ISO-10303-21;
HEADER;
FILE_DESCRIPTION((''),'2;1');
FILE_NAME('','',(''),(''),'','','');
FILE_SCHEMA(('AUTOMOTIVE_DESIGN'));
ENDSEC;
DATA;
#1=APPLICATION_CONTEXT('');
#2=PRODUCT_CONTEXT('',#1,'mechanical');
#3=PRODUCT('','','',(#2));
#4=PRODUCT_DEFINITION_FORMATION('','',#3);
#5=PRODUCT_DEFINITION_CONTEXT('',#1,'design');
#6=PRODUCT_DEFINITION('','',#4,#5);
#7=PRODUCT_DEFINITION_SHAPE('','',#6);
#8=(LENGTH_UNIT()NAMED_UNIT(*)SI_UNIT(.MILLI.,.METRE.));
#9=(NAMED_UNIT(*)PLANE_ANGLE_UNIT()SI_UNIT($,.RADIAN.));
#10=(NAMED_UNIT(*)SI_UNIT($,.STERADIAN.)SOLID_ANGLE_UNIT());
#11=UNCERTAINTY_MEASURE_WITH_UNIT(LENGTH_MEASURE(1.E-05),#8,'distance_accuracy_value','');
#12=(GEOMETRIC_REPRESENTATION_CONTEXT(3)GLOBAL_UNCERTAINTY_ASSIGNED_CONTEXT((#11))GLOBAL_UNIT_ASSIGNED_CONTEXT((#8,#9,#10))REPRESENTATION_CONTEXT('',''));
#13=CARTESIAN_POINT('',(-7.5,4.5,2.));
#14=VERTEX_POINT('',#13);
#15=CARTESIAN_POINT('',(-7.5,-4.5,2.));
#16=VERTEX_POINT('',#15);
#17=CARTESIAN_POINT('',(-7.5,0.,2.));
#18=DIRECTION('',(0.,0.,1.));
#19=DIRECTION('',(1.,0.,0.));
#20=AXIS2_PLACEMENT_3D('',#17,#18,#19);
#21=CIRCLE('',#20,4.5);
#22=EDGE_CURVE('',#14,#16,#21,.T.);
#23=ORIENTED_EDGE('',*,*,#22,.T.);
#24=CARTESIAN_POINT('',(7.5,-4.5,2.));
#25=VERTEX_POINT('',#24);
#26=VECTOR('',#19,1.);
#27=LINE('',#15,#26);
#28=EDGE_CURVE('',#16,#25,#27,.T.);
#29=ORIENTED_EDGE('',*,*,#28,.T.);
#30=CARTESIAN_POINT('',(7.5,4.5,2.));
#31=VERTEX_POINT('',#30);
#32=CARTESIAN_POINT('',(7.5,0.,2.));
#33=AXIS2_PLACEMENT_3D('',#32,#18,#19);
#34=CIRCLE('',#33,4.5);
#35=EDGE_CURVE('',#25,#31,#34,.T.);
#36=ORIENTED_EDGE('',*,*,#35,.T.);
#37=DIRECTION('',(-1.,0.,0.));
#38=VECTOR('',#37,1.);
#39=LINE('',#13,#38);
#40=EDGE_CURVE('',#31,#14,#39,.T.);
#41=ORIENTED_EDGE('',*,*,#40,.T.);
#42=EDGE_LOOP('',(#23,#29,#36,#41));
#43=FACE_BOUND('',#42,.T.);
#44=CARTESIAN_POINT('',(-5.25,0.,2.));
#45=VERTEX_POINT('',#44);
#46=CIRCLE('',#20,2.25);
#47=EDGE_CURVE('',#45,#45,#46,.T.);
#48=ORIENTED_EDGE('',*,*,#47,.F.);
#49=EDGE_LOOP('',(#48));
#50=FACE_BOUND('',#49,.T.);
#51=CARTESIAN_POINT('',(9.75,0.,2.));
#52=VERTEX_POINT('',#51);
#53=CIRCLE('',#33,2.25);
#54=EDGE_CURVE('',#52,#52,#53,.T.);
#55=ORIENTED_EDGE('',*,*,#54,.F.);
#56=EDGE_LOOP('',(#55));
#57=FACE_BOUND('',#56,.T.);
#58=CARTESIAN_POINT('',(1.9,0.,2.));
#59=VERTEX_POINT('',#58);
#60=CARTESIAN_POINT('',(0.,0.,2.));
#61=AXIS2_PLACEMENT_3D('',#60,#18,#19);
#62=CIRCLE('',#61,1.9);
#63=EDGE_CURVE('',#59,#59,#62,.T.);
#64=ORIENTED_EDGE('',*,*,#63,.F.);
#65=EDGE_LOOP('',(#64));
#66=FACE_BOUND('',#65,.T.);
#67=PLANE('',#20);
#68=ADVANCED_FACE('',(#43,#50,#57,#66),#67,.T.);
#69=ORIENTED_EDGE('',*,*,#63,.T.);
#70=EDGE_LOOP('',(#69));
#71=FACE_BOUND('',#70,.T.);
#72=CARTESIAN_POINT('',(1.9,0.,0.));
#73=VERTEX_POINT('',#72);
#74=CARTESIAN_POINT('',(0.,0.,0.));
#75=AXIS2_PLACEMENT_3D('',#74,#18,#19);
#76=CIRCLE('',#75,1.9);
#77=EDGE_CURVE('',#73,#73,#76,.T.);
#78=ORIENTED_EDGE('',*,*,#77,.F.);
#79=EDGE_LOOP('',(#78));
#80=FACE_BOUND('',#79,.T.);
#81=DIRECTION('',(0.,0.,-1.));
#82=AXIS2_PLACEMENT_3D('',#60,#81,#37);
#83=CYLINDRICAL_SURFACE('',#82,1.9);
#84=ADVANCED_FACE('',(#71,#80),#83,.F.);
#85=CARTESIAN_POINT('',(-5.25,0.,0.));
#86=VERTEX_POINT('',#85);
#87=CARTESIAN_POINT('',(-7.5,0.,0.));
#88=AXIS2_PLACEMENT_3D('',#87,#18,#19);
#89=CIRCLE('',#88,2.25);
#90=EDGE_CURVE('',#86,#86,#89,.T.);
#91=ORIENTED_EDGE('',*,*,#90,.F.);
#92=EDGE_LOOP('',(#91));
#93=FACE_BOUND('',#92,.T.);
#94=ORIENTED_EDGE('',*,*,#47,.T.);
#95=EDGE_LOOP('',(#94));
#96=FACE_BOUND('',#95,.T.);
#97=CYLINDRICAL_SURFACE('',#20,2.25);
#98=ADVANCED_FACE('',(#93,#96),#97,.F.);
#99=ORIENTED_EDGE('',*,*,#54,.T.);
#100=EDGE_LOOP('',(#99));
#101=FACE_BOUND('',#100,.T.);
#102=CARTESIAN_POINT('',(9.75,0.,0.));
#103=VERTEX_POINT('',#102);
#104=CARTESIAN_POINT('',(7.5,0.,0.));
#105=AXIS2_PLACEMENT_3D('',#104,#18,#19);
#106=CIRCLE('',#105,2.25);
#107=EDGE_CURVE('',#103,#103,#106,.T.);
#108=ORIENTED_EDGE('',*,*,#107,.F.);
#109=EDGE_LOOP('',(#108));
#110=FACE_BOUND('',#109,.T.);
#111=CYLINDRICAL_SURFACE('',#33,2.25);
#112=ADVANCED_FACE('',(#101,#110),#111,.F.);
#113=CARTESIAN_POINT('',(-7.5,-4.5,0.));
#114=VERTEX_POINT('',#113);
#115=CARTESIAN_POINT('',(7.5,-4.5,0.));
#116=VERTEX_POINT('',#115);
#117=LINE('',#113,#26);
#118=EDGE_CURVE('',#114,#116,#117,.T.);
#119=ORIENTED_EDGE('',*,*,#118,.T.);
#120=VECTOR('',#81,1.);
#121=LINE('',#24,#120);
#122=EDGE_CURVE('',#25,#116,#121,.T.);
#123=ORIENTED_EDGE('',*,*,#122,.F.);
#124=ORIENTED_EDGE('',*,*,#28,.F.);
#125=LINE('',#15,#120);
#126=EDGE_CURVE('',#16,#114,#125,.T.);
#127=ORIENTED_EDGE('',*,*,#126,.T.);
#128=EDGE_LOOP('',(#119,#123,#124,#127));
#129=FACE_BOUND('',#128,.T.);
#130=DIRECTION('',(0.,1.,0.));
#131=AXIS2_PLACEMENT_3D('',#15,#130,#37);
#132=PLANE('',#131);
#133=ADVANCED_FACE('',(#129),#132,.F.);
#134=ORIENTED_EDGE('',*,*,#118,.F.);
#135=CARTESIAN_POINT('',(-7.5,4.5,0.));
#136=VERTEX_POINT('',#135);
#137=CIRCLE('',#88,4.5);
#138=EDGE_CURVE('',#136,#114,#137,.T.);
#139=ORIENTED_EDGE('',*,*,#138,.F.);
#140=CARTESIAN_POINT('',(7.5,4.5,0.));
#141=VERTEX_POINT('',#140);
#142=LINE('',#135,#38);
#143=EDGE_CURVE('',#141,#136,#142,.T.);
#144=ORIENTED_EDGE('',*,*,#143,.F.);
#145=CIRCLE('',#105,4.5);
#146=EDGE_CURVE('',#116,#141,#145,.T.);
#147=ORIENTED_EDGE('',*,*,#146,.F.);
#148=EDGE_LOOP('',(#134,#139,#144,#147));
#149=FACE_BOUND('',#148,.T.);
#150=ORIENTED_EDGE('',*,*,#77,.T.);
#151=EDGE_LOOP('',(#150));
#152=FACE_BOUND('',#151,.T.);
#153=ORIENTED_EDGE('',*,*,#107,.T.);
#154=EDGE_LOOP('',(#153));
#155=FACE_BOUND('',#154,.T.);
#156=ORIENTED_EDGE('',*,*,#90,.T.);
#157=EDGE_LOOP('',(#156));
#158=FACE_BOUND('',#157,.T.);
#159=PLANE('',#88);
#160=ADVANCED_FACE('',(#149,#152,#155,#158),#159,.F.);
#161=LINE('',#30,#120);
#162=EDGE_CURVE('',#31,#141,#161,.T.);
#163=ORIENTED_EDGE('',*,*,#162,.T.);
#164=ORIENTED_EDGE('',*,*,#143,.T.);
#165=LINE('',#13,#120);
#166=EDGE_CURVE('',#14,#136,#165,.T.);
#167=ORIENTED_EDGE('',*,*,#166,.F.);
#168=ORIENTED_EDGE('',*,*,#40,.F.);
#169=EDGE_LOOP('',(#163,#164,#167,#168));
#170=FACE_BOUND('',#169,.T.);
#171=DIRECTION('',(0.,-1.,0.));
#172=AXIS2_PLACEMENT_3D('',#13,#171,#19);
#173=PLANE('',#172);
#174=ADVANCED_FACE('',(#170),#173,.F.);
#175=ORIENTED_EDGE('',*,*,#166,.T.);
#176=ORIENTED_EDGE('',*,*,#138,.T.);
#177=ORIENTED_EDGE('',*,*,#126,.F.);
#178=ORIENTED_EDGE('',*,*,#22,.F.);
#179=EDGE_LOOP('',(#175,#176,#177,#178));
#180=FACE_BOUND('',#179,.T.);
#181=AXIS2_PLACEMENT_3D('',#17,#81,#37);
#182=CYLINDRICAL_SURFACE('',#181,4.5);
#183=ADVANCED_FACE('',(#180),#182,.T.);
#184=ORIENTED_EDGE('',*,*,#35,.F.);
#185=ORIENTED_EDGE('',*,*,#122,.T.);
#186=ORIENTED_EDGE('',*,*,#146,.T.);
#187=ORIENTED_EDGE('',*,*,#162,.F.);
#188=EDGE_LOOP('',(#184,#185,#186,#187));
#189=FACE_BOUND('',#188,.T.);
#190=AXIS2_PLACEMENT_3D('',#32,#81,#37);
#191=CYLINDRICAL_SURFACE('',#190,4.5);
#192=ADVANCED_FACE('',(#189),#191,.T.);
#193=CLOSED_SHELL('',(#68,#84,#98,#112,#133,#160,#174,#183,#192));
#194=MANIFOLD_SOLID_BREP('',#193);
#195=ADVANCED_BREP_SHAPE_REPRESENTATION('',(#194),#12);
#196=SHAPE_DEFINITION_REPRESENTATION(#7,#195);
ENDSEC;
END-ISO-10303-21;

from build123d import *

# Parameters (mm, degrees)
SKETCH1_R            = 1.9
BOSS_EXTRUDE1_DEPTH  = 2
M4_CLEARANCE_HOLE1_D = 4.5


with BuildPart() as part:
    # Sketch1 → Boss-Extrude1 (new body)
    with BuildSketch(Plane.XY):
        with BuildLine():
            Line((-7.5, 4.5), (7.5, 4.5))
            ThreePointArc((7.5, 4.5), (12, 0), (7.5, -4.5))
            Line((7.5, -4.5), (-7.5, -4.5))
            ThreePointArc((-7.5, -4.5), (-12, 0), (-7.5, 4.5))
        make_face()
        Circle(SKETCH1_R, mode=Mode.SUBTRACT)
    extrude(amount=BOSS_EXTRUDE1_DEPTH)

    # M4 Clearance Hole1 (through all)
    with Locations(Plane.XY.offset(2)):
        with Locations((-7.5, 0), (7.5, 0)):
            Hole(M4_CLEARANCE_HOLE1_D / 2)


solid = part.part
